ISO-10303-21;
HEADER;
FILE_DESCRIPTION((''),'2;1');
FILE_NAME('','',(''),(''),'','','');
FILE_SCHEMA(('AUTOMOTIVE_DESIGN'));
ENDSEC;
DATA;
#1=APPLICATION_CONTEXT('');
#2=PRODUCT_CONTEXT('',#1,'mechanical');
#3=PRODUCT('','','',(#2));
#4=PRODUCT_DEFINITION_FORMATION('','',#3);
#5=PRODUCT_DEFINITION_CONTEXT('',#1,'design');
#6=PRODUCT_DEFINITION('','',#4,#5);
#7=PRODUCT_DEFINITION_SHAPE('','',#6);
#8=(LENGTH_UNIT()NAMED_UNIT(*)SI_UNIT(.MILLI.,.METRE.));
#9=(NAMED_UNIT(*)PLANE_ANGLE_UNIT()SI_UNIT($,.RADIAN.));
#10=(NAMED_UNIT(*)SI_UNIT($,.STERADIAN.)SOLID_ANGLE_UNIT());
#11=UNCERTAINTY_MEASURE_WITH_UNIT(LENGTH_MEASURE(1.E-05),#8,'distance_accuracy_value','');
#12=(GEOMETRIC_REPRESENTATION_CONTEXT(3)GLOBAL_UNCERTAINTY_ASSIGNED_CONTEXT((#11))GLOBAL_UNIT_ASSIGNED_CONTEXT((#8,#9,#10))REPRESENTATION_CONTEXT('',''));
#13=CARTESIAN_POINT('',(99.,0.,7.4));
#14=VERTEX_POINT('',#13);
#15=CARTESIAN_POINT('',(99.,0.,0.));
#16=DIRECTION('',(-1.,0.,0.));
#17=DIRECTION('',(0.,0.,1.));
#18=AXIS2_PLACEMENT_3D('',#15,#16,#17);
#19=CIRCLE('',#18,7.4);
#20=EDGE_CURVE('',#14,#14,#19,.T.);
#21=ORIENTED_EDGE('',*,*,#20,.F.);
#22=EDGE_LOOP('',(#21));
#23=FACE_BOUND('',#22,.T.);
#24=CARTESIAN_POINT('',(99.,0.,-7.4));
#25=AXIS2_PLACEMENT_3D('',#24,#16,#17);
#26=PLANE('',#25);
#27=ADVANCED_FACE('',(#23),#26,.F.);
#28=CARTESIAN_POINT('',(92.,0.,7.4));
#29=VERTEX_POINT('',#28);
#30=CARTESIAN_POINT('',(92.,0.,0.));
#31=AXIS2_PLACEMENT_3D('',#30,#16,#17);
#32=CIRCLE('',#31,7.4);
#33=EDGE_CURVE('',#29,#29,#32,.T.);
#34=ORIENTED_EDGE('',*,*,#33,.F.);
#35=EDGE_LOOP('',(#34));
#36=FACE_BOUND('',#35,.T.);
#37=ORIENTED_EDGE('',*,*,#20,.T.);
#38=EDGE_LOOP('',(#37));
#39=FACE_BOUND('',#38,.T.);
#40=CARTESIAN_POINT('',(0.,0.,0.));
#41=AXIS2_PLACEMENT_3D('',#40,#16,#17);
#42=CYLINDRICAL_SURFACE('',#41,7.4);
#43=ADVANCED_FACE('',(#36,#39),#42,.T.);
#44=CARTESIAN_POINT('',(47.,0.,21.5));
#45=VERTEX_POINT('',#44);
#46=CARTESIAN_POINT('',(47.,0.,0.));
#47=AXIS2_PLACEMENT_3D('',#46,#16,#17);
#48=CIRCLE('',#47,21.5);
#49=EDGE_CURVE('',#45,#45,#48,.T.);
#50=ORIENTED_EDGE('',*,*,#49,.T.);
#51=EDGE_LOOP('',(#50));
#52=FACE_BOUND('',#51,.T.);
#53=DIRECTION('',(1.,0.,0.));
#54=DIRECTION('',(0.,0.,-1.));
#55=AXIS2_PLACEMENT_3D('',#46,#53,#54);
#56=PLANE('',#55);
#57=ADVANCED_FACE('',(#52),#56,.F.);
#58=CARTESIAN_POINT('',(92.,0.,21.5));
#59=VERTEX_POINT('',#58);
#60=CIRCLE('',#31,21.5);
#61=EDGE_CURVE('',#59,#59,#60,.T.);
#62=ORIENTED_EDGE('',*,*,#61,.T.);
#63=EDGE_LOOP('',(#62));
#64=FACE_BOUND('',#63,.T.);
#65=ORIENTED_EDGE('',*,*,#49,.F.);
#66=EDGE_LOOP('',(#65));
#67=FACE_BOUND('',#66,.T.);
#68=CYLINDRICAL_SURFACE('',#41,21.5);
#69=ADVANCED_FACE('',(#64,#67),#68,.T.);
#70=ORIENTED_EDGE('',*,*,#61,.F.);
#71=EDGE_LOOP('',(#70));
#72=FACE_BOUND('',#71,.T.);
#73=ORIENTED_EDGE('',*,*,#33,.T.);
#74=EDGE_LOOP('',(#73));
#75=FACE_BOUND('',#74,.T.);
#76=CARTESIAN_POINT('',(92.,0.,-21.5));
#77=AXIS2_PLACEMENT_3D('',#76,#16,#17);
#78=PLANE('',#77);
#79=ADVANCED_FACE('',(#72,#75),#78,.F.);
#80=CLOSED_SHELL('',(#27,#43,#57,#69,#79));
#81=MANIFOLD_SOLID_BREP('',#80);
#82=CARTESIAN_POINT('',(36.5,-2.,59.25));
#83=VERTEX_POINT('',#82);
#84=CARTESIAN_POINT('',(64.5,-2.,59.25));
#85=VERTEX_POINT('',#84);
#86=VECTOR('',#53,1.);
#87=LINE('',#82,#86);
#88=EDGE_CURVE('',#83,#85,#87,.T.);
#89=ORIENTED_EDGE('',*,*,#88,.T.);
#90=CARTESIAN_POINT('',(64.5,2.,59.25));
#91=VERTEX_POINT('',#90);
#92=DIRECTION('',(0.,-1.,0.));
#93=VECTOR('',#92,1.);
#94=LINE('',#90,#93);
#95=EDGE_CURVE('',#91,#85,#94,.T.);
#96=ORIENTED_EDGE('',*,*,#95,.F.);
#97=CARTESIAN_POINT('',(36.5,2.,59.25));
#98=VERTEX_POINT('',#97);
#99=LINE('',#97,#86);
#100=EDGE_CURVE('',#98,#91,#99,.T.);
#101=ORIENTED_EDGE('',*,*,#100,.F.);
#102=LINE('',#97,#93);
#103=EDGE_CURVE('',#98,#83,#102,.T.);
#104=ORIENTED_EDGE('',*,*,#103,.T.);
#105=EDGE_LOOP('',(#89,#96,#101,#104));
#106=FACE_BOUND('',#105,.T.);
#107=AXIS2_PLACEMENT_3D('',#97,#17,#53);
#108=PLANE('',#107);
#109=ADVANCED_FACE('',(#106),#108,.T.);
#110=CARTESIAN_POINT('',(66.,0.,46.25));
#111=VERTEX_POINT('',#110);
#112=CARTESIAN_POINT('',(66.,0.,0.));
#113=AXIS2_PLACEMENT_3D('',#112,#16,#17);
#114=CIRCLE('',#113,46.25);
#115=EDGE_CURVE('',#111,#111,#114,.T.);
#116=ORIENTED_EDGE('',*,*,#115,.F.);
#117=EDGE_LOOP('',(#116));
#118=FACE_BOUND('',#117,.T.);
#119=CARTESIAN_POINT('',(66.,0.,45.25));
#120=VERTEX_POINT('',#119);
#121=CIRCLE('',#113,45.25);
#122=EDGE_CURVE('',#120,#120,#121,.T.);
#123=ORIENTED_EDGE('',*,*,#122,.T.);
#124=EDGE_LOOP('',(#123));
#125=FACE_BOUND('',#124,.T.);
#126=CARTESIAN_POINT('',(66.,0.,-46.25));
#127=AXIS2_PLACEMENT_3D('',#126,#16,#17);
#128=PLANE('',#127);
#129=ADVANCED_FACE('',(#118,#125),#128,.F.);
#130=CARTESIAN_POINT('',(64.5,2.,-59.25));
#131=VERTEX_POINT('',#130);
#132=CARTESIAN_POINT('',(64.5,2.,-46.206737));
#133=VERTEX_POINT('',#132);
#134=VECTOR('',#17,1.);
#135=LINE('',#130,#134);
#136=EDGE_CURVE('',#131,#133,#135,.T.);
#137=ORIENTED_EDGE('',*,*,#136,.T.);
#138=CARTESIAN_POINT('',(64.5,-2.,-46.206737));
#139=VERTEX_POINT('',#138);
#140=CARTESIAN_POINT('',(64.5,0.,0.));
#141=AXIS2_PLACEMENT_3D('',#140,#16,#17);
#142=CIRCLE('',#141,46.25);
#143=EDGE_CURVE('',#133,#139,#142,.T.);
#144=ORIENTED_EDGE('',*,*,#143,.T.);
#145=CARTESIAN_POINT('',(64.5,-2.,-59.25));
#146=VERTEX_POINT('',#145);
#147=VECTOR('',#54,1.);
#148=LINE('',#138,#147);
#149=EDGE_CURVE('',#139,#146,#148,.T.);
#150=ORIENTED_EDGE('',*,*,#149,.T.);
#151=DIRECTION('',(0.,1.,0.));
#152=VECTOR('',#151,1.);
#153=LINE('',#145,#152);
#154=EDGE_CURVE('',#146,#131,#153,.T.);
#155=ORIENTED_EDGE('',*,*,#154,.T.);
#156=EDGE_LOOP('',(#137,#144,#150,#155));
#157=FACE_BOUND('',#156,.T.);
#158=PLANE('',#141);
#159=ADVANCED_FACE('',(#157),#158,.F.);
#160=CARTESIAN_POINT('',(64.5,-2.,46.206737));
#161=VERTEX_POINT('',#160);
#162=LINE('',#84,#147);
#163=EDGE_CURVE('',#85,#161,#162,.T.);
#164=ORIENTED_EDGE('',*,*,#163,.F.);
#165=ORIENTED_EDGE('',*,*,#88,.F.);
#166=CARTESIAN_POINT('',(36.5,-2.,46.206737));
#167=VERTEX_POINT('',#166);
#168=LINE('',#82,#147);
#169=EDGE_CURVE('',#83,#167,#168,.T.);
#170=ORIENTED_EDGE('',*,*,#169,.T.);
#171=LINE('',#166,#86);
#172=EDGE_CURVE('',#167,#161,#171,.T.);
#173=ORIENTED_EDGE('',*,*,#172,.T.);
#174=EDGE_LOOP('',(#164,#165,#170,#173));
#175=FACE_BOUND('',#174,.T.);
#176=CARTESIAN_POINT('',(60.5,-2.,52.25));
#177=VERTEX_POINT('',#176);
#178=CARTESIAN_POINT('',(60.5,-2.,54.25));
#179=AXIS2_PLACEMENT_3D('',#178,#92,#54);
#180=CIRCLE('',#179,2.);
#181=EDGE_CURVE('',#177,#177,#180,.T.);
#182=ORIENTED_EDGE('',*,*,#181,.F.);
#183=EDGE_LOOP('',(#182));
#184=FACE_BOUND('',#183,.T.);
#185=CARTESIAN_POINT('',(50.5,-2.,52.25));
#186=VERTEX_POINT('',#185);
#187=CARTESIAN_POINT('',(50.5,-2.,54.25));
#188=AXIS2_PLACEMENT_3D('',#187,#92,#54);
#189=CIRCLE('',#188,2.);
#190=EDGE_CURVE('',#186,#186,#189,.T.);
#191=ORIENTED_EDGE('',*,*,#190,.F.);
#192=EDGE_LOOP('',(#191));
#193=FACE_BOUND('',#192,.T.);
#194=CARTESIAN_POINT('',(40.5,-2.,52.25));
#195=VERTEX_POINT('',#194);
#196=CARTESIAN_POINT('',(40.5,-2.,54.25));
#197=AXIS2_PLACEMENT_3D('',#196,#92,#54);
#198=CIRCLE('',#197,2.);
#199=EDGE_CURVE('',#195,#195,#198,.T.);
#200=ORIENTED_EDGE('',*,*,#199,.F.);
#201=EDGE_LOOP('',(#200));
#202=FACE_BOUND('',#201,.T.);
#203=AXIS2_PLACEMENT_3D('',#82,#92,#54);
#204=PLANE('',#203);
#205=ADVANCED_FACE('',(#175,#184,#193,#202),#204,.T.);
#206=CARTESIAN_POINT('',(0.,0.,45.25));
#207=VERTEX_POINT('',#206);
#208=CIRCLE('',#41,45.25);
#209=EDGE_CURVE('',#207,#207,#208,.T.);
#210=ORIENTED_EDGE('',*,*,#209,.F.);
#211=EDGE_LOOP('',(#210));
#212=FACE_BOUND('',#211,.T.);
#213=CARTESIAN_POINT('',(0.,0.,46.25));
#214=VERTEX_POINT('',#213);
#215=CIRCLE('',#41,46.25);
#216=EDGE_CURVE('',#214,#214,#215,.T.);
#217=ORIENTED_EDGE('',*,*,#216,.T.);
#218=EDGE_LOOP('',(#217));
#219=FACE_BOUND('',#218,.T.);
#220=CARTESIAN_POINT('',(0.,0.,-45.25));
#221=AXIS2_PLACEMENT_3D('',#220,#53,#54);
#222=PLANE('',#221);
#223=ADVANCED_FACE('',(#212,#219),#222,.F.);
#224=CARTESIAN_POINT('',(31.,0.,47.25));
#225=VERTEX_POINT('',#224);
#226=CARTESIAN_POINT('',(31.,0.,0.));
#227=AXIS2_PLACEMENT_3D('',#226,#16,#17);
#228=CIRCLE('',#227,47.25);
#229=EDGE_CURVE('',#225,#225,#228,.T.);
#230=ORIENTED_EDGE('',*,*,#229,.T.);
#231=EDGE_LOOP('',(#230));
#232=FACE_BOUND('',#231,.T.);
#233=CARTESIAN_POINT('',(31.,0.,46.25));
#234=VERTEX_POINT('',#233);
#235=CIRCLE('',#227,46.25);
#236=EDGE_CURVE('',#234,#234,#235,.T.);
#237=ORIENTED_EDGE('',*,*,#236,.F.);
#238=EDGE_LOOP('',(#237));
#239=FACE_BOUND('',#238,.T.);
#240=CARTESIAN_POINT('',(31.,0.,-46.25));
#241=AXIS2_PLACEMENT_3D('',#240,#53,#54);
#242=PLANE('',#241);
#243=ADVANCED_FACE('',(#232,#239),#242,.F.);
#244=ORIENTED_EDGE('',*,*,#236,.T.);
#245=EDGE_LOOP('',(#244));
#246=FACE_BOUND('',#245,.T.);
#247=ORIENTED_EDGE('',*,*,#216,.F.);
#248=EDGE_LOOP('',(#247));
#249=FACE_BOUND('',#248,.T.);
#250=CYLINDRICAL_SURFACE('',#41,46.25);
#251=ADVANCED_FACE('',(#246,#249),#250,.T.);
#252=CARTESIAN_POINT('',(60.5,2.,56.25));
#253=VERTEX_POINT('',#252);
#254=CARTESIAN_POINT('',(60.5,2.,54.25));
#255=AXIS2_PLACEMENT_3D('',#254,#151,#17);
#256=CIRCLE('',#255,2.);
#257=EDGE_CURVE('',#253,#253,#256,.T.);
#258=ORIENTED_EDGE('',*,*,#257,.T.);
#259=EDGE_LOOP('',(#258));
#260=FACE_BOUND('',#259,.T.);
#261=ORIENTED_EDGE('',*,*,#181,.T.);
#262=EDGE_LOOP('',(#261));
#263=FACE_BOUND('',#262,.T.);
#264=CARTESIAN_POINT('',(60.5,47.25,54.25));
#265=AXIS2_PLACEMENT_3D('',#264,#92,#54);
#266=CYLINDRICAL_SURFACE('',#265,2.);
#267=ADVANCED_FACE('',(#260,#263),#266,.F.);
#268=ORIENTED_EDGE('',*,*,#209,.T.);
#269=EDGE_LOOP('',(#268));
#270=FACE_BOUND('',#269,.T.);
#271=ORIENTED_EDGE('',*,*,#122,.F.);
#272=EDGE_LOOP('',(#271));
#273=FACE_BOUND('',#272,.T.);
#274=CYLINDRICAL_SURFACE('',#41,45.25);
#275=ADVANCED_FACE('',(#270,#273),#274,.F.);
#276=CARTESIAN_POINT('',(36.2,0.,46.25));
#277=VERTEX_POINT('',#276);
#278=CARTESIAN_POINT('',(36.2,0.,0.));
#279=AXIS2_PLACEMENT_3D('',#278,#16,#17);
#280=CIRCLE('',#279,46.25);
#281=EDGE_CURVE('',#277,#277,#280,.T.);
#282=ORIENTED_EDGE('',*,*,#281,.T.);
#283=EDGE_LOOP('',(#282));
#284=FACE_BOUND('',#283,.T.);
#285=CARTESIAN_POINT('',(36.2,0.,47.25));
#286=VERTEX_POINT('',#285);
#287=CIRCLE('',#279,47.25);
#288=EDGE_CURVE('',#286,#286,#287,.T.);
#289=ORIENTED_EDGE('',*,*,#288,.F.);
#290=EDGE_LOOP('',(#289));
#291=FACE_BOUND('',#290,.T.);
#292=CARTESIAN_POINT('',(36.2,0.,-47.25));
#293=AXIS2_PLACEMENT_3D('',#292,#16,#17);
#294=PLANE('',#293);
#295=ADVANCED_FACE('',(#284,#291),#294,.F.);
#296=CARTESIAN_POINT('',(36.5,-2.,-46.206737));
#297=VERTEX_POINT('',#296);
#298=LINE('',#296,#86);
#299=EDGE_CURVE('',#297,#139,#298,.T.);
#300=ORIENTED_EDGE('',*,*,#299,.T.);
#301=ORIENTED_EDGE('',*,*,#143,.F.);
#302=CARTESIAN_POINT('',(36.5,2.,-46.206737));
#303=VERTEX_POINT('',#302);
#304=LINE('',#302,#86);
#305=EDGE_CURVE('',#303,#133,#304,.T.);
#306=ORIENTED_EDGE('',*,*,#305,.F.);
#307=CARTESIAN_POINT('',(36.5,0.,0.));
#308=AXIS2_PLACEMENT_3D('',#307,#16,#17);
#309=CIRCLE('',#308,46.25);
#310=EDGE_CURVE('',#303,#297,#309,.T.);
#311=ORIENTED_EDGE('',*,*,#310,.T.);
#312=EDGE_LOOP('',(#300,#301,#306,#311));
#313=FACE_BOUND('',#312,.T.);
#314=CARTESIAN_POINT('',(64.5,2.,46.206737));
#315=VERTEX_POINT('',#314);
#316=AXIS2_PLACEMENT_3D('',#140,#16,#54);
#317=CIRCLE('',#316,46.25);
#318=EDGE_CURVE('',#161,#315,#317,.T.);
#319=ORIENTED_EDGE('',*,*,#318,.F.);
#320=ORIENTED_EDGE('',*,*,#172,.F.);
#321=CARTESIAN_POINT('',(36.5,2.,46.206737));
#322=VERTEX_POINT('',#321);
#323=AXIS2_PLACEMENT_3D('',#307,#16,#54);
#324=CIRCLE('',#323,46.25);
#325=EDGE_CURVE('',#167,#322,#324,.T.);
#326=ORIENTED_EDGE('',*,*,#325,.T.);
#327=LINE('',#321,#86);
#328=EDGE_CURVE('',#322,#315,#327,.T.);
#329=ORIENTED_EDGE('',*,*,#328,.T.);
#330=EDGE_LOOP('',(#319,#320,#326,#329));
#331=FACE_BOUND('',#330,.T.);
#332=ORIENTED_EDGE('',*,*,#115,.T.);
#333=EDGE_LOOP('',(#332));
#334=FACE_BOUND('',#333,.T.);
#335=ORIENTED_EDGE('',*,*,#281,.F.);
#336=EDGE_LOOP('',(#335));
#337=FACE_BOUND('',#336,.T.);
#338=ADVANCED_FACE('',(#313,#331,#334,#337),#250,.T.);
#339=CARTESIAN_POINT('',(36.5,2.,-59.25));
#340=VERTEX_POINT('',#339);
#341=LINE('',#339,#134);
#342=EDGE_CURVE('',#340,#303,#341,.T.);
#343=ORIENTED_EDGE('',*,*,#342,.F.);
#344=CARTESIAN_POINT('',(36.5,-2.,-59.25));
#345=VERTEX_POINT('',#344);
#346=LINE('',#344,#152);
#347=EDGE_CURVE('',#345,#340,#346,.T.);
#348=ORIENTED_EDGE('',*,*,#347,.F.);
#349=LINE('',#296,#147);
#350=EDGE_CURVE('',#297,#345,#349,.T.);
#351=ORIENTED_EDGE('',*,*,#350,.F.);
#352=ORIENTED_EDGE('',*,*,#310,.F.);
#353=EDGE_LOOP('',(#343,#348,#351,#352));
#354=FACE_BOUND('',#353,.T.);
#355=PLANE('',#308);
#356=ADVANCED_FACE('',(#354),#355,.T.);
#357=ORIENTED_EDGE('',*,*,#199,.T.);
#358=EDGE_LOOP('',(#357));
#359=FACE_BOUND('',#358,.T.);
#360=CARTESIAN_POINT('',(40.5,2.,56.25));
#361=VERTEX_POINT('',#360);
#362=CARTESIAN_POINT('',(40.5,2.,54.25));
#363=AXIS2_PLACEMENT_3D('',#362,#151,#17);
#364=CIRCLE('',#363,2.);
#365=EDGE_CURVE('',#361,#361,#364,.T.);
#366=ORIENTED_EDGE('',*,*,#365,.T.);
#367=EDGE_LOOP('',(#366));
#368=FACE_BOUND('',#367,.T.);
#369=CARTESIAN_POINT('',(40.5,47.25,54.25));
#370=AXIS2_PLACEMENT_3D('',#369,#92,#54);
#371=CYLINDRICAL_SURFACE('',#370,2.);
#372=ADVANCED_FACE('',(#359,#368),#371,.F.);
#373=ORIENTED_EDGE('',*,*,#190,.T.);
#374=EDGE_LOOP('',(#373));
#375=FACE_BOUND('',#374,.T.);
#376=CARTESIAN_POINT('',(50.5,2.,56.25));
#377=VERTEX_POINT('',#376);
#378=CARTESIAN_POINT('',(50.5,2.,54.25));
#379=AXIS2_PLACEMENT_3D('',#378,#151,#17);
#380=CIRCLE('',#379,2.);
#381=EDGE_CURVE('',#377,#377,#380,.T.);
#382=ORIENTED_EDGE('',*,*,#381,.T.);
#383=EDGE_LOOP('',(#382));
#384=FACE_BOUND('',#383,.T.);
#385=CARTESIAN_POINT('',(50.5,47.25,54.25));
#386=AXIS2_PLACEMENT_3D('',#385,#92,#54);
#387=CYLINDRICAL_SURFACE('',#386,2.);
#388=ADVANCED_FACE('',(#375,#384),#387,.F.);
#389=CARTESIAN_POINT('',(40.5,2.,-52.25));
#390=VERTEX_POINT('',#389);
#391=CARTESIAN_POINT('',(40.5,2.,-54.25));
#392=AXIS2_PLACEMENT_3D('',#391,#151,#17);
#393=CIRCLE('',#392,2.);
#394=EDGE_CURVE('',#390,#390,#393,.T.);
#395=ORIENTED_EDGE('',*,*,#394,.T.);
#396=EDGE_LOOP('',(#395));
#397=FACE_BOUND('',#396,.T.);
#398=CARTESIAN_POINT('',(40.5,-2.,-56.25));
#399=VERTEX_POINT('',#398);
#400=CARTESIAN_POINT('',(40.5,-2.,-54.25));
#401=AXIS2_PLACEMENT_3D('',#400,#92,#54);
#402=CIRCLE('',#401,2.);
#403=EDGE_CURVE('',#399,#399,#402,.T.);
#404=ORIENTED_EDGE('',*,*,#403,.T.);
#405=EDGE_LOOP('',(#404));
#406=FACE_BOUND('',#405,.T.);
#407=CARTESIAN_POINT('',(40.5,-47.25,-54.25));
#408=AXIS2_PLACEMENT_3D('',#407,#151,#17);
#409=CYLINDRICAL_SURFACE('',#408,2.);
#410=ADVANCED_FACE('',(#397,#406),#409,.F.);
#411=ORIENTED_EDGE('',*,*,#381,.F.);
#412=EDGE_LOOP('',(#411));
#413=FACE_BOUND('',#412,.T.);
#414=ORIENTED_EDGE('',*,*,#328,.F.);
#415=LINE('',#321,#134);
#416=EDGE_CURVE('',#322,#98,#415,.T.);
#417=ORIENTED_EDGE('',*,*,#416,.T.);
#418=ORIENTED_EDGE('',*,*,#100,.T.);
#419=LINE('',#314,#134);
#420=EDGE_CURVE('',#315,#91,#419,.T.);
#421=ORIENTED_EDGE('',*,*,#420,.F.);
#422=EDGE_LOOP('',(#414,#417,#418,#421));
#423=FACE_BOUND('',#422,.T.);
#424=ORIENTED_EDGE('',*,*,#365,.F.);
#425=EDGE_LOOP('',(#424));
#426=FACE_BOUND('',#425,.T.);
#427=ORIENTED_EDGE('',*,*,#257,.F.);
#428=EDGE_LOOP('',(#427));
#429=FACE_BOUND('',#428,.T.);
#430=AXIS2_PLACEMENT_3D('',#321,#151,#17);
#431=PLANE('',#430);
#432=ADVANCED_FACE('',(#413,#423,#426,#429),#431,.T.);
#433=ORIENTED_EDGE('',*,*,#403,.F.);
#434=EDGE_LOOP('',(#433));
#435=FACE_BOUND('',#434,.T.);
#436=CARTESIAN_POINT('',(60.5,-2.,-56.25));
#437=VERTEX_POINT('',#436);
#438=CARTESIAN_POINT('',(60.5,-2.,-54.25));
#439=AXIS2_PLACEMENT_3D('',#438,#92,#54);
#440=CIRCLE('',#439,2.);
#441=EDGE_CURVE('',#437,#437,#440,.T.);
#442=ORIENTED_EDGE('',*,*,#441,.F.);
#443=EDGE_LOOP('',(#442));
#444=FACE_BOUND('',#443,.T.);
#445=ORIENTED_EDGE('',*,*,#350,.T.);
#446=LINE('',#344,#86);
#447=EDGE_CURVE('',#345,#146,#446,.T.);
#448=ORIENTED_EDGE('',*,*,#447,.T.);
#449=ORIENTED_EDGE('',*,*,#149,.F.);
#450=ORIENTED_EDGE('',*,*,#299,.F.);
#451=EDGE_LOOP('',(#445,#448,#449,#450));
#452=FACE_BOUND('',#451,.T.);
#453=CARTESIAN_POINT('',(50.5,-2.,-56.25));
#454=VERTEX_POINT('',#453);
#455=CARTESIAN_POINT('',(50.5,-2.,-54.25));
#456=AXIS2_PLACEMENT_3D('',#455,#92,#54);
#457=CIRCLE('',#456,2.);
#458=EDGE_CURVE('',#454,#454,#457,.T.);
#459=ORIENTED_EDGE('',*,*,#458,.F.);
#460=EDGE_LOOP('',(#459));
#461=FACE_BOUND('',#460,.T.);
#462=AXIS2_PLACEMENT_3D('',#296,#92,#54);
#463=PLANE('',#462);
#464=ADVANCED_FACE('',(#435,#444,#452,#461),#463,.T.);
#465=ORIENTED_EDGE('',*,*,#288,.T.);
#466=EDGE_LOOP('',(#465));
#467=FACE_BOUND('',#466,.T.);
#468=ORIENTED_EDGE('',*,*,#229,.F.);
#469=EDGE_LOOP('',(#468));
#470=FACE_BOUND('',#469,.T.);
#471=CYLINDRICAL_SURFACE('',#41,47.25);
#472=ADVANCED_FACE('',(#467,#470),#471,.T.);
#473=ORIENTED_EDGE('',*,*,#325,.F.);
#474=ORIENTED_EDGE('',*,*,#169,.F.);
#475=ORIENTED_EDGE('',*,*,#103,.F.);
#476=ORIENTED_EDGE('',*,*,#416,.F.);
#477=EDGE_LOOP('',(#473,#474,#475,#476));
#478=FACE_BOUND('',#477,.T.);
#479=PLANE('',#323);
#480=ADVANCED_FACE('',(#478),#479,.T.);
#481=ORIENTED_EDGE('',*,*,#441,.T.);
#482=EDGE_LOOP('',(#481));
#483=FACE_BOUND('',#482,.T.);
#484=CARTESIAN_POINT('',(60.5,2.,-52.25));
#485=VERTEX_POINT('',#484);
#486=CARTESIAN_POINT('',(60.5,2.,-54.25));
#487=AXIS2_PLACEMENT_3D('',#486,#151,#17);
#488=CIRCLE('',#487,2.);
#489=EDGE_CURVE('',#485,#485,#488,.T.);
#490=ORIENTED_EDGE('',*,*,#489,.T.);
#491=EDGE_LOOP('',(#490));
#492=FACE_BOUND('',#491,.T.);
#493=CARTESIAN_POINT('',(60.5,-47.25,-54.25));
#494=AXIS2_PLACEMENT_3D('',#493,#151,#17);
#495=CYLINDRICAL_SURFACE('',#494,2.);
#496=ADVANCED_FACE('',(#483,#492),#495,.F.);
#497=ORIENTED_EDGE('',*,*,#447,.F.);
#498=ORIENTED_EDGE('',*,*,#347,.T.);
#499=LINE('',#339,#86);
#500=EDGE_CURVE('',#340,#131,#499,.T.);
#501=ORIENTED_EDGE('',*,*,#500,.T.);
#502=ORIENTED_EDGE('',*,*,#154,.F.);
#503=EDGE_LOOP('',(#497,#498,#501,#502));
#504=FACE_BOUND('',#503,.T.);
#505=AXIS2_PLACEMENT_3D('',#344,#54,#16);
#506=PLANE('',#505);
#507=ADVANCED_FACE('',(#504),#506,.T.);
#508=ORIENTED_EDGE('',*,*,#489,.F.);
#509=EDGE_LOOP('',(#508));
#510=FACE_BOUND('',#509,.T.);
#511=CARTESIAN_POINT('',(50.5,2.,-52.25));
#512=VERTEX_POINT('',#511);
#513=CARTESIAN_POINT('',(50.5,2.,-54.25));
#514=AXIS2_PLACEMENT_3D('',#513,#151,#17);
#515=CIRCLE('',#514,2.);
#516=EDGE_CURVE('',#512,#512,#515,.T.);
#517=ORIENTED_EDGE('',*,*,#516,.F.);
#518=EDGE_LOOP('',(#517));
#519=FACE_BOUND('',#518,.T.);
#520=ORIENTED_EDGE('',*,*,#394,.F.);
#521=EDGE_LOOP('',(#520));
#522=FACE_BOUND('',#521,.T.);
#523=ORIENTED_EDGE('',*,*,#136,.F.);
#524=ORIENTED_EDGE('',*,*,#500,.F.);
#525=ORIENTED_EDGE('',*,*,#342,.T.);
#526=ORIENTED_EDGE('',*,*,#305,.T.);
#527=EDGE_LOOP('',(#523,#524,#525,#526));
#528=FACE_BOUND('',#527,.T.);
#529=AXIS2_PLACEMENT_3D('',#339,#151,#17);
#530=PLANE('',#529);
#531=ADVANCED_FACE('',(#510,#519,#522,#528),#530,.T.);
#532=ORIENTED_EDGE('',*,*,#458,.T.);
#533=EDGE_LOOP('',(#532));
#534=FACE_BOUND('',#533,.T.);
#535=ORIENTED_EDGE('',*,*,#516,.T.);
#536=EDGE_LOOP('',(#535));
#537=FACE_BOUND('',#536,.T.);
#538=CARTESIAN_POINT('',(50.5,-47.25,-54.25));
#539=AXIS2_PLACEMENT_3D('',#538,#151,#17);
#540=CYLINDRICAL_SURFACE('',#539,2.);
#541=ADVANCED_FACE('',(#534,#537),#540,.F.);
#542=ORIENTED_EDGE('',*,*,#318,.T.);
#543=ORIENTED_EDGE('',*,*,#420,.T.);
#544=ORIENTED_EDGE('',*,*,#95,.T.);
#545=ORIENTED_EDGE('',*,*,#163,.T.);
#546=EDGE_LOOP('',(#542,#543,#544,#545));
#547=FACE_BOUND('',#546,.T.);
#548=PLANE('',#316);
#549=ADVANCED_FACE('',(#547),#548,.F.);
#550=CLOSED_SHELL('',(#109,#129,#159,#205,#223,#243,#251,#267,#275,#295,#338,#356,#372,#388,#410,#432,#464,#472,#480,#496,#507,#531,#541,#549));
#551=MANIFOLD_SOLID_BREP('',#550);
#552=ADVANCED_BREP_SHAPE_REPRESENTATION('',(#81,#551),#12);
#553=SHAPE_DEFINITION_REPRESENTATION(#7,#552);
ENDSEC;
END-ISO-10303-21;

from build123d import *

# Parameters (mm, degrees)
BOSS_EXTRUDE1_START = -1.5
BOSS_EXTRUDE1_DEPTH = 28
SKETCH3_R           = 2
CUT_EXTRUDE1_DEPTH  = 126.447698265
CIRPATTERN1_COUNT   = 2


with BuildPart() as part:
    # Sketch1 → Revolve1 (revolve)
    with BuildSketch(Plane(origin=(0, 0, 0), x_dir=(1, 0, 0), z_dir=(0, 1, 0))):
        Polygon((0, 45.25), (0, 46.25), (31, 46.25), (31, 47.25), (36.2, 47.25), (36.2, 46.25), (66, 46.25), (66, 45.25), align=None)
        Polygon((47, 21.5), (92, 21.5), (92, 7.4), (99, 7.4), (99, 0), (47, 0), align=None)
    revolve(axis=Axis((0, 0, 0), (1, 0, 0)))

    # Sketch2 → Boss-Extrude1 (add)
    with BuildSketch(Plane(origin=(66, 0, 0), x_dir=(0, 0, -1), z_dir=(1, 0, 0)).offset(BOSS_EXTRUDE1_START)):
        with BuildLine():
            Line((46.206736522, -2), (59.25, -2))
            Line((59.25, -2), (59.25, 2))
            Line((59.25, 2), (46.206736522, 2))
            ThreePointArc((46.206736522, 2), (46.25, 0), (46.206736522, -2))
        make_face()
    boss_extrude1 = extrude(amount=-BOSS_EXTRUDE1_DEPTH)

    # Sketch3 → Cut-Extrude1 (cut, through all)
    with BuildSketch(Plane(origin=(0, 2, 0), x_dir=(1, 0, 0), z_dir=(0, 1, 0))):
        with Locations((60.5, 54.25)):
            Circle(SKETCH3_R)
        with Locations((50.5, 54.25)):
            Circle(SKETCH3_R)
        with Locations((40.5, 54.25)):
            Circle(SKETCH3_R)
    cut_extrude1 = extrude(amount=-CUT_EXTRUDE1_DEPTH, mode=Mode.SUBTRACT)

    # CirPattern1: Boss-Extrude1, Cut-Extrude1 ×2 about axis
    cirpattern1_axis = Axis((173.098931414, 0, 0), (-1, 0, 0))
    add([boss_extrude1.rotate(cirpattern1_axis, i * 360 / CIRPATTERN1_COUNT) for i in range(1, CIRPATTERN1_COUNT)])
    add([cut_extrude1.rotate(cirpattern1_axis, i * 360 / CIRPATTERN1_COUNT) for i in range(1, CIRPATTERN1_COUNT)], mode=Mode.SUBTRACT)


solid = part.part
